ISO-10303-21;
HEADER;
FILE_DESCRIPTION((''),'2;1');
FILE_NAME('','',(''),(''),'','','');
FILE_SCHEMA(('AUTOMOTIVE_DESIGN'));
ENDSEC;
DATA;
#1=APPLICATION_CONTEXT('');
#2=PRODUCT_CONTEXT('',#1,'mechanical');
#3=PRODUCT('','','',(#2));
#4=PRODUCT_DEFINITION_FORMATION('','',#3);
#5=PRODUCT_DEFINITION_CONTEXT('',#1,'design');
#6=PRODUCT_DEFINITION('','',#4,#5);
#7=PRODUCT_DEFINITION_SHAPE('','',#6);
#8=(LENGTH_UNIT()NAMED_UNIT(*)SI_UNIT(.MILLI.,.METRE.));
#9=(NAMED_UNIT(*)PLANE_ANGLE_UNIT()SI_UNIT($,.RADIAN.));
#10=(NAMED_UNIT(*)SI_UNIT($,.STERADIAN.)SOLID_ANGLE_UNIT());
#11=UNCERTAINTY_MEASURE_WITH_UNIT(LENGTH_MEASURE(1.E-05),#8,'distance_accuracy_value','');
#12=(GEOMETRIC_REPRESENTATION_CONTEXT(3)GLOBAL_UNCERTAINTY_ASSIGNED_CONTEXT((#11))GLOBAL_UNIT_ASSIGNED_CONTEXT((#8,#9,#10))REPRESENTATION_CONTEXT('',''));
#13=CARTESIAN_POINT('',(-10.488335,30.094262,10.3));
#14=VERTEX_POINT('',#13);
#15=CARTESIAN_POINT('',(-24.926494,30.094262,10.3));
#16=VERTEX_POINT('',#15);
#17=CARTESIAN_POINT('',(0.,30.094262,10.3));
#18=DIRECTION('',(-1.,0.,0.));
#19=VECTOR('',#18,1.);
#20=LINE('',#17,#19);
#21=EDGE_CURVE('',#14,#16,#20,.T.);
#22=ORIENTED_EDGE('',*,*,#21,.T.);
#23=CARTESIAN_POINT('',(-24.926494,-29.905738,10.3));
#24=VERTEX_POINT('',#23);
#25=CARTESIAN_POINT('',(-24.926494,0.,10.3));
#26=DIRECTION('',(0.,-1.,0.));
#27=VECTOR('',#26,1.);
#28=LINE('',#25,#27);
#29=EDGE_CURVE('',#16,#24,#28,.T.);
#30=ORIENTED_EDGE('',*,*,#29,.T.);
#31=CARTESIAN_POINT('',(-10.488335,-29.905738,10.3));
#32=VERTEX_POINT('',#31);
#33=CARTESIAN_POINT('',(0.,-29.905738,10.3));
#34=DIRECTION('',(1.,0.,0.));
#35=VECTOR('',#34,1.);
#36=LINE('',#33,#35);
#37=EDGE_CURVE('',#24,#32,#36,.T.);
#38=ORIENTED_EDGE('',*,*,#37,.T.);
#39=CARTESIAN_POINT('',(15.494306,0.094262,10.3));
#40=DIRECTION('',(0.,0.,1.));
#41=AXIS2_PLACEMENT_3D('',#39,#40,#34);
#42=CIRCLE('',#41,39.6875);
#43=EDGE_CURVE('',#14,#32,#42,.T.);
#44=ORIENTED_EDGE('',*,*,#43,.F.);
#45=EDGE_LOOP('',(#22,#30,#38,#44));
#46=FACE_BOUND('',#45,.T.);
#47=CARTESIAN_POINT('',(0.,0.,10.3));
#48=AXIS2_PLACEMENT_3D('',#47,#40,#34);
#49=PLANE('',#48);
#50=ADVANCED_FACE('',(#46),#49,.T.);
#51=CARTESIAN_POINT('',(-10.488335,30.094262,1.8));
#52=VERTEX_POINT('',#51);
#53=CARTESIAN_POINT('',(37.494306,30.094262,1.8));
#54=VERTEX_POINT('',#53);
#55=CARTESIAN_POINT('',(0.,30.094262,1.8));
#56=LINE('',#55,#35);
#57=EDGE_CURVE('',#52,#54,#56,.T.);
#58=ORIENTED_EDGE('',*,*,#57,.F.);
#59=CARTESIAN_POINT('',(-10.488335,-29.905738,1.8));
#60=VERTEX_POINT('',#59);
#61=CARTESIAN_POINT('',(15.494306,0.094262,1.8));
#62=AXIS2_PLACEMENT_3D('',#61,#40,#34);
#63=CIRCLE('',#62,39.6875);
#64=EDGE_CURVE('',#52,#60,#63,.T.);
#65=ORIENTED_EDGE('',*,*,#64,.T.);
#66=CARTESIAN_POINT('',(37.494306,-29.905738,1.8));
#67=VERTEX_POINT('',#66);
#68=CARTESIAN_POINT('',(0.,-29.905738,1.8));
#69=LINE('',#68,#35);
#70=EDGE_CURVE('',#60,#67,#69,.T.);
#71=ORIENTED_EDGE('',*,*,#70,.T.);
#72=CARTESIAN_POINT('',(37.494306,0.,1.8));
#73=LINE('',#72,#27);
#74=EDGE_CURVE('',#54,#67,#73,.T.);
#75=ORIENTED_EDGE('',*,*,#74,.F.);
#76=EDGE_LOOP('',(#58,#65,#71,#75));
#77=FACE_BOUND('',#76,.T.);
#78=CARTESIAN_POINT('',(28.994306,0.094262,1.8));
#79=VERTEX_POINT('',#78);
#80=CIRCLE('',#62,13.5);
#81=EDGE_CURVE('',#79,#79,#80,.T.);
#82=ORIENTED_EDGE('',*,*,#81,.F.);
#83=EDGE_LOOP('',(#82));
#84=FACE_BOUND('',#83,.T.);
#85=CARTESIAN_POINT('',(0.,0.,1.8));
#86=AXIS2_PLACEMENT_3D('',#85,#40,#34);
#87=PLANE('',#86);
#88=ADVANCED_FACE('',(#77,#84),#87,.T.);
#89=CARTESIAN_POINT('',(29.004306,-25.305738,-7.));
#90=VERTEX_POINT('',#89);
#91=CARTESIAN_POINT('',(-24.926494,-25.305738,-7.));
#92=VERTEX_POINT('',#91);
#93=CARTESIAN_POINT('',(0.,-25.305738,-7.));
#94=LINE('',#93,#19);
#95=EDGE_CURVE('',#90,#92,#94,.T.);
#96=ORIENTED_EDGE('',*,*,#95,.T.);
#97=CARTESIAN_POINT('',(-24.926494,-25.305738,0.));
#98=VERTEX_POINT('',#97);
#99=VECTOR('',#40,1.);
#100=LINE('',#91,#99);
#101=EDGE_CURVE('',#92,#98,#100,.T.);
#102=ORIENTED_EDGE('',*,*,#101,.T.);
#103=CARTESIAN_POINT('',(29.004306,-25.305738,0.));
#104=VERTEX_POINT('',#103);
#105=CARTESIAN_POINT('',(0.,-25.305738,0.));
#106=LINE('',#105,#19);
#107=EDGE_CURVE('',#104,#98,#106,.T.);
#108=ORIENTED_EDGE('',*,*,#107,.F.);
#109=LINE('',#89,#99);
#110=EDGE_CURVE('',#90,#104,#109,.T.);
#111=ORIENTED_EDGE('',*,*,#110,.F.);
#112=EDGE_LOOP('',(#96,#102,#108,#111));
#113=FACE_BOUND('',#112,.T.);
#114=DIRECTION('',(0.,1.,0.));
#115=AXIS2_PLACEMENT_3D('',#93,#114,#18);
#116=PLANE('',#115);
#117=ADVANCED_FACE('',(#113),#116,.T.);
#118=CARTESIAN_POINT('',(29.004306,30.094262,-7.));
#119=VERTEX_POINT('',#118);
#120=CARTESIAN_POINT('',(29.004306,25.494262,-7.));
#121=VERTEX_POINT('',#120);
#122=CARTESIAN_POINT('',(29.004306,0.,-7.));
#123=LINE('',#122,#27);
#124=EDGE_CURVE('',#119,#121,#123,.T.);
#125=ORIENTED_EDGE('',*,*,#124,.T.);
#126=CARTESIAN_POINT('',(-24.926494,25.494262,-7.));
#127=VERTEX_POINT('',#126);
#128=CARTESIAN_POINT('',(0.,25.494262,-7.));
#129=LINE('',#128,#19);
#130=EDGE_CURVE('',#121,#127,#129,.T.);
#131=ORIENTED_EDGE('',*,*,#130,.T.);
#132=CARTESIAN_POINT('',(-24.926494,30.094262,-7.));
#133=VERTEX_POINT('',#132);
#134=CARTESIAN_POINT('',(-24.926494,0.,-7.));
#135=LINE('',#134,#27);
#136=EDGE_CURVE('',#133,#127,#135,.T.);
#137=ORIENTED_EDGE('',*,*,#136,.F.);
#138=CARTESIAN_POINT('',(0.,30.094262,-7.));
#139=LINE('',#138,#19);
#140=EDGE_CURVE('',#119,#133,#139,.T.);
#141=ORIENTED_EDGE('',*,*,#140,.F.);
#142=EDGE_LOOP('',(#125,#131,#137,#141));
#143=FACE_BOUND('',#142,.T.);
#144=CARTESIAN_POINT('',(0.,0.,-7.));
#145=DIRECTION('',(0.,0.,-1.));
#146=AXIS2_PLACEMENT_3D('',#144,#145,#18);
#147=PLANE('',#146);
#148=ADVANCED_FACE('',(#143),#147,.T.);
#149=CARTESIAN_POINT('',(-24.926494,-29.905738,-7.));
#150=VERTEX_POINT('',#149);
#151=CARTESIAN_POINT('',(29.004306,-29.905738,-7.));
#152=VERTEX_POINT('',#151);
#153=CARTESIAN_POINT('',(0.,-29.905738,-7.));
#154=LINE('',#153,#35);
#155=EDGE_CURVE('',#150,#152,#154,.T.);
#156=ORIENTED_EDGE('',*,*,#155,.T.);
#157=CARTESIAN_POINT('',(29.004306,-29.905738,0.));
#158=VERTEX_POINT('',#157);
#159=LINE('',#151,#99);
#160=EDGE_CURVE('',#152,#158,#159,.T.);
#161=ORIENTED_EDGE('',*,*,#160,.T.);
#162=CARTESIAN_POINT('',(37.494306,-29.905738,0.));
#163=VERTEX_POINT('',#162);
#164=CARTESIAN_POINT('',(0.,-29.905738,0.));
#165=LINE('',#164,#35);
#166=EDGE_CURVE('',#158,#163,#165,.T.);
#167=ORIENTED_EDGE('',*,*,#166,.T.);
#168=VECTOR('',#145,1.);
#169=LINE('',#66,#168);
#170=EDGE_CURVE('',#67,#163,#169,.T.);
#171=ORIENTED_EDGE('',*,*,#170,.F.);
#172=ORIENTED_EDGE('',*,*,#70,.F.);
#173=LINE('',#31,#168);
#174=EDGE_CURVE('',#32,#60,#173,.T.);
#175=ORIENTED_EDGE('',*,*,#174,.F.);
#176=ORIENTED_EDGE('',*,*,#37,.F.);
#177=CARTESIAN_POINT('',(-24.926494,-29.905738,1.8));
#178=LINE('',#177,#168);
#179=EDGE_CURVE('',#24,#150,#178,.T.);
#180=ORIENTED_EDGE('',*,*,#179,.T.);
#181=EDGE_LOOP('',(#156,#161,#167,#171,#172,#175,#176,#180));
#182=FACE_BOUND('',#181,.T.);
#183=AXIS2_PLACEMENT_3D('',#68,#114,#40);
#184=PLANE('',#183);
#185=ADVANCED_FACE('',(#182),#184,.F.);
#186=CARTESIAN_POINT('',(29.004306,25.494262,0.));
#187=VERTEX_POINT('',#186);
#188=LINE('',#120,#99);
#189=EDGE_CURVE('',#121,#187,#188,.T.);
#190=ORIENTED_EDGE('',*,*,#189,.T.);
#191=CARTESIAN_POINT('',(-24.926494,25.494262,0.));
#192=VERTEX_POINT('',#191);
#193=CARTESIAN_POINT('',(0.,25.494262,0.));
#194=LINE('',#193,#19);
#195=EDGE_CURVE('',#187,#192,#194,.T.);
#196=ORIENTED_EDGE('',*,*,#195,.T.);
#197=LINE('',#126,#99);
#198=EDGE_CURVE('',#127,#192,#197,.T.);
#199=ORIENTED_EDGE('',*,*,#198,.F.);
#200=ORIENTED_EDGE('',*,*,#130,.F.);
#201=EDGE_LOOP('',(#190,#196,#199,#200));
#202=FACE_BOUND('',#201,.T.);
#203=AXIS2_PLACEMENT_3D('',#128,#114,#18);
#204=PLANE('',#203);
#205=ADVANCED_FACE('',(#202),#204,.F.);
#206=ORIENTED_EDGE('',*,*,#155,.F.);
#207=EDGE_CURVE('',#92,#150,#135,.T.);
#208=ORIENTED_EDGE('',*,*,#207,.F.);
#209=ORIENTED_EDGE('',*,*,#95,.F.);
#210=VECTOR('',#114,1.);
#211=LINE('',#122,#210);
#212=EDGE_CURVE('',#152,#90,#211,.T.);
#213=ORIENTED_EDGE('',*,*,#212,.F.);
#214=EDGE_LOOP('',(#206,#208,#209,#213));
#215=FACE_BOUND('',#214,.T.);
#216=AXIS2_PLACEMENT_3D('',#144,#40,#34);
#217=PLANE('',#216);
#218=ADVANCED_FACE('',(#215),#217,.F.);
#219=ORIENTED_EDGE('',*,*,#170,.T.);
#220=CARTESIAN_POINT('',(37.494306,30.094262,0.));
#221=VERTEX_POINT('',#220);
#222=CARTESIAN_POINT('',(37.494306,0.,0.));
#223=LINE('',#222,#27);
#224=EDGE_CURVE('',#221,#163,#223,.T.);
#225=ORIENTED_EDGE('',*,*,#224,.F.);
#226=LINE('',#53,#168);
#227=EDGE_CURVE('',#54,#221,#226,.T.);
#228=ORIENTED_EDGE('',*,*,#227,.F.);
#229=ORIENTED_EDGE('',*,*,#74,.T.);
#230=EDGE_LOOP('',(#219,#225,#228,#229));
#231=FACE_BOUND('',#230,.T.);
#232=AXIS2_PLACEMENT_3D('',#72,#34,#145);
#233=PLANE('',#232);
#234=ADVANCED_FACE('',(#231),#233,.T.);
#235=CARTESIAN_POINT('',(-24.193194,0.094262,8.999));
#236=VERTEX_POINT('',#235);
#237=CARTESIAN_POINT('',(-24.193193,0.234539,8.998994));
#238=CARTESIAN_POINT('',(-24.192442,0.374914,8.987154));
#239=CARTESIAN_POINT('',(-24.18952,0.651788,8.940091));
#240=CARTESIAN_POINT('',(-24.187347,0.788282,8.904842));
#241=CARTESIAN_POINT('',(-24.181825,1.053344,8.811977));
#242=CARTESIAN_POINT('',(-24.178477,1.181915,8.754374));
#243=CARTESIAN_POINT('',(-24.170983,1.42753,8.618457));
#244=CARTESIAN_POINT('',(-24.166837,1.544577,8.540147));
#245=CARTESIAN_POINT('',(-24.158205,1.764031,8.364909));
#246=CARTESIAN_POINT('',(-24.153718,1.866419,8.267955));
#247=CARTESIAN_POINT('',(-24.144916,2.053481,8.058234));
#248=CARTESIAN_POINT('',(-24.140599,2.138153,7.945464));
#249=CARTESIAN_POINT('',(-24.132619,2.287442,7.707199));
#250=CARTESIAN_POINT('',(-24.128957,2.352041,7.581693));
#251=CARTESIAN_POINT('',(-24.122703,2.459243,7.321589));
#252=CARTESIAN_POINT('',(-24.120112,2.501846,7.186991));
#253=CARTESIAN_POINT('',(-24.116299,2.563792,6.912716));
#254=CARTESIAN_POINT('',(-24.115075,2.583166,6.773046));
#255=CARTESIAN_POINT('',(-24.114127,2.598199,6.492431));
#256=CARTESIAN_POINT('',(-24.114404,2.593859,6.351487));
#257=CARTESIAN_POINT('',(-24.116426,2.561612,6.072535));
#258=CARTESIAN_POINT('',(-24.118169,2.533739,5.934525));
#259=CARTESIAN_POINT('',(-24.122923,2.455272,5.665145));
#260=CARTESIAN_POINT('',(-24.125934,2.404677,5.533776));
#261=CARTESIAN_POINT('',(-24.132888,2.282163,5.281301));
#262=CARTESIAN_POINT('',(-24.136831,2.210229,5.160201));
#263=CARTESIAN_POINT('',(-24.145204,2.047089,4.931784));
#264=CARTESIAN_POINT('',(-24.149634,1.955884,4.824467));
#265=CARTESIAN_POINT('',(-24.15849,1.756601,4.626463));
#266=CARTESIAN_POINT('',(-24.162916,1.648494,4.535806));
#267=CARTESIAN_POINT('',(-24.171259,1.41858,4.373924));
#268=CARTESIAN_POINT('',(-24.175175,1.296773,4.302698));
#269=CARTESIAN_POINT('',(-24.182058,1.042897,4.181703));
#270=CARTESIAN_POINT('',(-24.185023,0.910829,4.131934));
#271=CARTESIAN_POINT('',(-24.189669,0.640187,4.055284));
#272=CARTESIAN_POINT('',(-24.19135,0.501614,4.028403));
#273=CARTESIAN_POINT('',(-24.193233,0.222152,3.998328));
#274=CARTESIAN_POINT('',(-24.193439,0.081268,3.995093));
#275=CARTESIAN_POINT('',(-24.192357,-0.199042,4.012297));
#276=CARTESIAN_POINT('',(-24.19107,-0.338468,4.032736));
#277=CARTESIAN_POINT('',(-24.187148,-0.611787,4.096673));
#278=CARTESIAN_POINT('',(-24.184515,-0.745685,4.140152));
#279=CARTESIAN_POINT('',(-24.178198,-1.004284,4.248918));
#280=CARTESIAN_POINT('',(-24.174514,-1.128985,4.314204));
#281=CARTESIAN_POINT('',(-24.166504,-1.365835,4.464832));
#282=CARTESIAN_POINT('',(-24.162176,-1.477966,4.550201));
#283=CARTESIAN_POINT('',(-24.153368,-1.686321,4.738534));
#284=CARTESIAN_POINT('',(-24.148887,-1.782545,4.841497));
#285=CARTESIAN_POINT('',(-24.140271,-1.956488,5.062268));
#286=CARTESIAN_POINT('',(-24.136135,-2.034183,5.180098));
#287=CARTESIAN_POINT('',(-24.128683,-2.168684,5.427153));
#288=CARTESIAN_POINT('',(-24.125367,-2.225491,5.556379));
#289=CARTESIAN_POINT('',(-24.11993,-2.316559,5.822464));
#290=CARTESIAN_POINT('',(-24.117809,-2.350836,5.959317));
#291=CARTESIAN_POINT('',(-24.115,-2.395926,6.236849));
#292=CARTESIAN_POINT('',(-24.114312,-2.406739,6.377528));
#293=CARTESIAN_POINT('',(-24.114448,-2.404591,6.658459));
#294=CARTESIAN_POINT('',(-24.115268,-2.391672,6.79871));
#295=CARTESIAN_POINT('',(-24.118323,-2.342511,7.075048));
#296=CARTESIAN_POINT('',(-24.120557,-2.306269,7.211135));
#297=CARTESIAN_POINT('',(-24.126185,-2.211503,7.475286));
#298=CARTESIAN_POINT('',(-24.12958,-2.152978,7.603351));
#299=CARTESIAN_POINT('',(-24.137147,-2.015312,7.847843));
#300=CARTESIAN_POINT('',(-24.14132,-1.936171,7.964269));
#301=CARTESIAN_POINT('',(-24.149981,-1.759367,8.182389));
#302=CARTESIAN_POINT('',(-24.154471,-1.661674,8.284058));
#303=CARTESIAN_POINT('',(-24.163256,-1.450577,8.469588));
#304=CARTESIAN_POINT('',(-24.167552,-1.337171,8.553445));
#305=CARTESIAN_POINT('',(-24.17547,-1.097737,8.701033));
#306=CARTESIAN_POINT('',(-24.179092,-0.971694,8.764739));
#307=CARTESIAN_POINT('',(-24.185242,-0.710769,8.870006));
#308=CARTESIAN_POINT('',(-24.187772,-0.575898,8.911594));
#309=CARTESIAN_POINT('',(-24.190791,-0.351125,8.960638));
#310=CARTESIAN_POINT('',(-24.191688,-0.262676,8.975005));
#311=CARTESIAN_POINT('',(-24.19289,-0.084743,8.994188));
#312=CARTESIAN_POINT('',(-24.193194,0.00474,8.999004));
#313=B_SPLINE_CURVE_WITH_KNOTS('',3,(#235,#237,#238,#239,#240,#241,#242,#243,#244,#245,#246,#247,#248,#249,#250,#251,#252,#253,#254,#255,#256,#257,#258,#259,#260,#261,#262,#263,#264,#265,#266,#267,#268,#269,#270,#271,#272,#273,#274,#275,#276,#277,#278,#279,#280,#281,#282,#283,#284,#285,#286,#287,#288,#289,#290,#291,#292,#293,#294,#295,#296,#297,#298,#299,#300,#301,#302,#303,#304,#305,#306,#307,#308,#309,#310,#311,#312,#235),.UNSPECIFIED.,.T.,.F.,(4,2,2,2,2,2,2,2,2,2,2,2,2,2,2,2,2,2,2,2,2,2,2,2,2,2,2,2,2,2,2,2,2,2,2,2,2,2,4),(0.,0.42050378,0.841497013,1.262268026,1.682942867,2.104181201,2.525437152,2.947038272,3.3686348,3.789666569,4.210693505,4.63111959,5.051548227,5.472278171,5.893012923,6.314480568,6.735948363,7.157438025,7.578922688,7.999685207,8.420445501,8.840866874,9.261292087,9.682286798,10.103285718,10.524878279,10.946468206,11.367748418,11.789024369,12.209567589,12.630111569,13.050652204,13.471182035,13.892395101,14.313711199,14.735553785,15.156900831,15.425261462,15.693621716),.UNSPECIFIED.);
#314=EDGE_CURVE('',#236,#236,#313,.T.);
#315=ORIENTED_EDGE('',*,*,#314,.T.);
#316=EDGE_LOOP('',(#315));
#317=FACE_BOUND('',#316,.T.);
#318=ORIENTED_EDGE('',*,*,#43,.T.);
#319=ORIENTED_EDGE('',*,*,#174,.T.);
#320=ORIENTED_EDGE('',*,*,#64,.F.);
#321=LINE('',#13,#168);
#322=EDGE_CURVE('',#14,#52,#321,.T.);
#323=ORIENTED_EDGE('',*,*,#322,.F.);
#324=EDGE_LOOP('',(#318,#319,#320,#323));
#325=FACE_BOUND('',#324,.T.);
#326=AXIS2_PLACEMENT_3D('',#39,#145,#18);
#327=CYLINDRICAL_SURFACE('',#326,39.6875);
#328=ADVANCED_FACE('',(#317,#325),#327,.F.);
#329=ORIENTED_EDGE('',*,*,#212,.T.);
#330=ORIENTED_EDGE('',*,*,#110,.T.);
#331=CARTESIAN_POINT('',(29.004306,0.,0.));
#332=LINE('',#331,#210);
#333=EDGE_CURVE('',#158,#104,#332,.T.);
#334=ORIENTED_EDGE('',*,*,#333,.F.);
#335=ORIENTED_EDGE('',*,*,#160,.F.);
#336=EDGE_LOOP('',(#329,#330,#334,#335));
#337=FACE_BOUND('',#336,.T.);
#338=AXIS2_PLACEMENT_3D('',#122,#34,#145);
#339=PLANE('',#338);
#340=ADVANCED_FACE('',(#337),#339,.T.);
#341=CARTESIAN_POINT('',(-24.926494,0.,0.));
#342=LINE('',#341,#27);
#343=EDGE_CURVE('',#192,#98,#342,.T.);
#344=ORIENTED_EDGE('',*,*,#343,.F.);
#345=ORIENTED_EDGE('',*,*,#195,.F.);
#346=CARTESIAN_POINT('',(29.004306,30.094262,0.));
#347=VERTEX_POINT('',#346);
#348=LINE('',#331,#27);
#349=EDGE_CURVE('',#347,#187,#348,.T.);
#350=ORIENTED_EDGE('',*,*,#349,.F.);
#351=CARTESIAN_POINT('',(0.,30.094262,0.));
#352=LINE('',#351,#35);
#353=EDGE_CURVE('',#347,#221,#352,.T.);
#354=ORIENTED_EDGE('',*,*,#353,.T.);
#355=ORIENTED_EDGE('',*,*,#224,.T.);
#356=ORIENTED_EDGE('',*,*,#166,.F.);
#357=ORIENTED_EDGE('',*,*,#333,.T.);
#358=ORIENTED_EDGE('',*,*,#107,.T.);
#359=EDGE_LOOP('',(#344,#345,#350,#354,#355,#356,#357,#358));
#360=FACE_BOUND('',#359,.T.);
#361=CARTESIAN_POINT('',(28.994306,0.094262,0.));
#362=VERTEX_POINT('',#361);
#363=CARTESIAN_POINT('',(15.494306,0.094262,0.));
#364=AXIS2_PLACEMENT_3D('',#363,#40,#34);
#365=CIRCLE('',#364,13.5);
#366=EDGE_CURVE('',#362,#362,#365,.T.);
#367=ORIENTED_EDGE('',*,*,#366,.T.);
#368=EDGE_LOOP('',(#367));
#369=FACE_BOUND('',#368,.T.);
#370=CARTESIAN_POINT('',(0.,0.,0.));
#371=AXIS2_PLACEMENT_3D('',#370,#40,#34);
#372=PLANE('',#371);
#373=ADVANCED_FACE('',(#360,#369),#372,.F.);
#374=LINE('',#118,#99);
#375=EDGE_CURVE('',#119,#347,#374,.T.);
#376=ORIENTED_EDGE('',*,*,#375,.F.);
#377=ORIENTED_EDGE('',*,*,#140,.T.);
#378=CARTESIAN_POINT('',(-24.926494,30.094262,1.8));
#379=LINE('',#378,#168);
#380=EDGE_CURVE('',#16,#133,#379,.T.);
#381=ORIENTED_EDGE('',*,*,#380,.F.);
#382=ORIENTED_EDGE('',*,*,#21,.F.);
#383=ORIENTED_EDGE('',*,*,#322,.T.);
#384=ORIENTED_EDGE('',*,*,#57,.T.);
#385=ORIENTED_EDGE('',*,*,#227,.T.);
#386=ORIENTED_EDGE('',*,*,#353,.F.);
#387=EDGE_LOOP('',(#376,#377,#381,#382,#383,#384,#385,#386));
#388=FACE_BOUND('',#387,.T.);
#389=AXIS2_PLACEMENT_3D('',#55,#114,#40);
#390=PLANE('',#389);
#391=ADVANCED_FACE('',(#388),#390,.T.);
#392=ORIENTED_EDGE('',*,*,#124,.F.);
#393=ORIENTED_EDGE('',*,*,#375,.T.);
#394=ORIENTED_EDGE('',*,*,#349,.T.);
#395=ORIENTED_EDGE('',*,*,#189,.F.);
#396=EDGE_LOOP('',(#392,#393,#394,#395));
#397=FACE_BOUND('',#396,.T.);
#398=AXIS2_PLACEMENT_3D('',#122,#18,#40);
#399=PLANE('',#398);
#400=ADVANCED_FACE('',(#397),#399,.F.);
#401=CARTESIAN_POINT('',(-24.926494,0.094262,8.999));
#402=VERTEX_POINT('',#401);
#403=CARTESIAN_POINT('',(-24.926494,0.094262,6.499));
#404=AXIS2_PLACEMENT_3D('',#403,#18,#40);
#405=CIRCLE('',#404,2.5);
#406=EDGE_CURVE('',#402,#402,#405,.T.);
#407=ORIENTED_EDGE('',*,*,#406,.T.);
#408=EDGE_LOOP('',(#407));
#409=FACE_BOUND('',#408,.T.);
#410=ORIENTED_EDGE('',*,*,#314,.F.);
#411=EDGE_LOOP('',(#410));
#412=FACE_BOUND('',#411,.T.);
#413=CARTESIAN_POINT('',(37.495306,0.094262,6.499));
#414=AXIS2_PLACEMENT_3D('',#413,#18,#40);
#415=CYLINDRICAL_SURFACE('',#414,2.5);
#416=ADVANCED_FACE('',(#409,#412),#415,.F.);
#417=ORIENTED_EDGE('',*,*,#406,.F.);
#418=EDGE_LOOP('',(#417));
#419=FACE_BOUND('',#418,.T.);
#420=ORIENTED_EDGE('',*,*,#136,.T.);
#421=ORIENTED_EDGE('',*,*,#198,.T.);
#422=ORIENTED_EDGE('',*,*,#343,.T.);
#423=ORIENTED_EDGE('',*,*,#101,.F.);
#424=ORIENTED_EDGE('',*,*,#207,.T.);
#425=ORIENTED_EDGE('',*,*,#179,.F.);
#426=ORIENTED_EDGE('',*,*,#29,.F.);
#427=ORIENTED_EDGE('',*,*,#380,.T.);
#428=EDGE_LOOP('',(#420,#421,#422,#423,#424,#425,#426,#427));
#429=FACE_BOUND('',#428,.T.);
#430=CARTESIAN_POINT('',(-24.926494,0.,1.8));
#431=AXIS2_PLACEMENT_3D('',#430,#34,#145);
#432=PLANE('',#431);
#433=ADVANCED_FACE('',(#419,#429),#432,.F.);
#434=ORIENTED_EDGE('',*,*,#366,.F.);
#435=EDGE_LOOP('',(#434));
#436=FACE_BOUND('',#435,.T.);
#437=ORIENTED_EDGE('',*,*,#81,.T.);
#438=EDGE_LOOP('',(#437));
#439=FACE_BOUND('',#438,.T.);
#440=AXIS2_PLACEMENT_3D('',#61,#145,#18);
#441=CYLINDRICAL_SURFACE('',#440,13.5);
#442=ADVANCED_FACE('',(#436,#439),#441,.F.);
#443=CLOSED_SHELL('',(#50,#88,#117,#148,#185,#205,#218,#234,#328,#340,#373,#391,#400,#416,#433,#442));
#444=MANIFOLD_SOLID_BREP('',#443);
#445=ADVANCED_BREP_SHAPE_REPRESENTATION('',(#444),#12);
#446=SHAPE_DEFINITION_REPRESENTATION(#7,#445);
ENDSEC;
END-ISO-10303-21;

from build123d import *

# Parameters (mm, degrees)
SKETCH1_W               = 62.4208
SKETCH1_H               = 60
SKETCH1_R               = 13.5
BOSS_EXTRUDE1_DEPTH     = 1.8
BOSS_EXTRUDE2_START     = -1.8
SKETCH2_W               = 53.9308
SKETCH2_H               = 4.6
BOSS_EXTRUDE2_DEPTH     = 7
BOSS_EXTRUDE3_DEPTH     = 8.5
CUT_EXTRUDE1_REACH      = 72.058
CUT_EXTRUDE1_END_RADIUS = 39.6875
SKETCH4_R               = 2.5


with BuildPart() as part:
    # Sketch1 → Boss-Extrude1 (new body)
    with BuildSketch(Plane.XY):
        with Locations((6.283906244, 0.094262462)):
            Rectangle(SKETCH1_W, SKETCH1_H)
        with Locations((15.494306244, 0.094262462)):
            Circle(SKETCH1_R, mode=Mode.SUBTRACT)
    extrude(amount=BOSS_EXTRUDE1_DEPTH)

    # Sketch2 → Boss-Extrude2 (add)
    with BuildSketch(Plane.XY.offset(1.8).offset(BOSS_EXTRUDE2_START)):
        with Locations((2.038906244, -27.605737538)):
            Rectangle(SKETCH2_W, SKETCH2_H)
        with Locations((2.038906244, 27.794262462)):
            Rectangle(SKETCH2_W, SKETCH2_H)
    extrude(amount=-BOSS_EXTRUDE2_DEPTH)

    # Sketch3 → Boss-Extrude3 (add)
    with BuildSketch(Plane.XY.offset(1.8)):
        with BuildLine():
            ThreePointArc((-10.488335197, -29.905737538), (-19.588138729, -18.461591357), (-23.926493756, -4.49901345))
            ThreePointArc((-23.926493756, -4.49901345), (-24.193193756, 0.094262462), (-23.926493756, 4.687538375))
            ThreePointArc((-23.926493756, 4.687538375), (-19.588138729, 18.650116281), (-10.488335197, 30.094262462))
            Line((-10.488335197, 30.094262462), (-24.926493756, 30.094262462))
            Line((-24.926493756, 30.094262462), (-24.926493756, -29.905737538))
            Line((-24.926493756, -29.905737538), (-10.488335197, -29.905737538))
        make_face()
    extrude(amount=BOSS_EXTRUDE3_DEPTH)

    # Cut-Extrude1: up to this cylinder (the profile starts outside it)
    cut_extrude1_end = Plane(origin=(15.494306244, 0.094262462, 6.499), z_dir=(0, 0, -1)) * Cylinder(CUT_EXTRUDE1_END_RADIUS, 224.491, mode=Mode.PRIVATE)
    # Sketch4 → Cut-Extrude1 (cut, up to the surface)
    with BuildSketch(Plane.ZY.offset(24.926493756), mode=Mode.PRIVATE) as cut_extrude1_sk1:
        with Locations((6.499, 0.094262462)):
            Circle(SKETCH4_R)
    cut_extrude1_tool1 = extrude(cut_extrude1_sk1.sketch, amount=-CUT_EXTRUDE1_REACH, mode=Mode.PRIVATE) - cut_extrude1_end
    add(cut_extrude1_tool1.solids().sort_by_distance((-24.926494, 0.094262, 6.499))[0], mode=Mode.SUBTRACT)


solid = part.part
